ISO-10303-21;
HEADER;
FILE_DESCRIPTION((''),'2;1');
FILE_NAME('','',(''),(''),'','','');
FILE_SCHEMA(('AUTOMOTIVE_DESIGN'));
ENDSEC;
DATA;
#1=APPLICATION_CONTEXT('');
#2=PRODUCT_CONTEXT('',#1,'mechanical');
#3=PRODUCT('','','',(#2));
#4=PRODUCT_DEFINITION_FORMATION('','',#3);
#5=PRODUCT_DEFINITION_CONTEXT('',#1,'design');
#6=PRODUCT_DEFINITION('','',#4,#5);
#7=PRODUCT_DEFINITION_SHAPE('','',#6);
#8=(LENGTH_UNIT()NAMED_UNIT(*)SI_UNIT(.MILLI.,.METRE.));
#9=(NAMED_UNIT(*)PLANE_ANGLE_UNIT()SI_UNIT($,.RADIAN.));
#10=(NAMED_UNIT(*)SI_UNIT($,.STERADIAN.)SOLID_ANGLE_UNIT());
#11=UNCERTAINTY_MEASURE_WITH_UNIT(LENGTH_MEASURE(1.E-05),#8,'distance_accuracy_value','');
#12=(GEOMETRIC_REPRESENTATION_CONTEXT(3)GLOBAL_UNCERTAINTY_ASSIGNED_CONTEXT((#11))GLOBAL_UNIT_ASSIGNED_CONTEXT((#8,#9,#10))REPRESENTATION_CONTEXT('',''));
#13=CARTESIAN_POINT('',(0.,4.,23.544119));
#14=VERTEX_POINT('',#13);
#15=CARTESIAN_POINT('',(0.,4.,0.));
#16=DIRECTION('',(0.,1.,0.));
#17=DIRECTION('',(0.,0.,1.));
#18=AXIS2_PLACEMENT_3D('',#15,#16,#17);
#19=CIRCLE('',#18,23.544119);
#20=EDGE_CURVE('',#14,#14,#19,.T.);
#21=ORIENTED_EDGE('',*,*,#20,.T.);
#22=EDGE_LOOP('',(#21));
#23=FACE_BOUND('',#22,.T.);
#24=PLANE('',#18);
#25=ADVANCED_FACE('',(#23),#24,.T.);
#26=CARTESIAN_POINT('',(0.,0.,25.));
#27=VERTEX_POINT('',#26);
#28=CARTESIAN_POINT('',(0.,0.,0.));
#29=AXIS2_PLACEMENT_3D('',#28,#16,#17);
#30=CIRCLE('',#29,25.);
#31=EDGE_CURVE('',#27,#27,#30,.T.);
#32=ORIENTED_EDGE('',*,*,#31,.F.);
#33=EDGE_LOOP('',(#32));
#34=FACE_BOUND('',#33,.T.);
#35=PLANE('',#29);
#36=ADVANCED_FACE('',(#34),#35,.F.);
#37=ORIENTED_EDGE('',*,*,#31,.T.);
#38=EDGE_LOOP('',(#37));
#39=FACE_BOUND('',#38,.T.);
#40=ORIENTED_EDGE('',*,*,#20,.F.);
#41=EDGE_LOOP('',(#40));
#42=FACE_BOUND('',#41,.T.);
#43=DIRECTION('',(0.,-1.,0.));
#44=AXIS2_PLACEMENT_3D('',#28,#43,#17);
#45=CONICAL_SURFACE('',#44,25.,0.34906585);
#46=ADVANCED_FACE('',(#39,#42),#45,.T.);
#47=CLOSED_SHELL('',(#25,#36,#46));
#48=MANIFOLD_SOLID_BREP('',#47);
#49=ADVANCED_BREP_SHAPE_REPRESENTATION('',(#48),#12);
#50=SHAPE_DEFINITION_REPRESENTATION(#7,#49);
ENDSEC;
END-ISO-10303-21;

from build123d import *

# Parameters (mm, degrees)
SKETCH1_R           = 25
BOSS_EXTRUDE1_DEPTH = 4
BOSS_EXTRUDE1_TAPER = 20


with BuildPart() as part:
    # Sketch1 → Boss-Extrude1 (new body)
    with BuildSketch(Plane(origin=(0, 0, 0), x_dir=(1, 0, 0), z_dir=(0, 1, 0))):
        Circle(SKETCH1_R)
    extrude(amount=BOSS_EXTRUDE1_DEPTH, taper=BOSS_EXTRUDE1_TAPER)


solid = part.part
